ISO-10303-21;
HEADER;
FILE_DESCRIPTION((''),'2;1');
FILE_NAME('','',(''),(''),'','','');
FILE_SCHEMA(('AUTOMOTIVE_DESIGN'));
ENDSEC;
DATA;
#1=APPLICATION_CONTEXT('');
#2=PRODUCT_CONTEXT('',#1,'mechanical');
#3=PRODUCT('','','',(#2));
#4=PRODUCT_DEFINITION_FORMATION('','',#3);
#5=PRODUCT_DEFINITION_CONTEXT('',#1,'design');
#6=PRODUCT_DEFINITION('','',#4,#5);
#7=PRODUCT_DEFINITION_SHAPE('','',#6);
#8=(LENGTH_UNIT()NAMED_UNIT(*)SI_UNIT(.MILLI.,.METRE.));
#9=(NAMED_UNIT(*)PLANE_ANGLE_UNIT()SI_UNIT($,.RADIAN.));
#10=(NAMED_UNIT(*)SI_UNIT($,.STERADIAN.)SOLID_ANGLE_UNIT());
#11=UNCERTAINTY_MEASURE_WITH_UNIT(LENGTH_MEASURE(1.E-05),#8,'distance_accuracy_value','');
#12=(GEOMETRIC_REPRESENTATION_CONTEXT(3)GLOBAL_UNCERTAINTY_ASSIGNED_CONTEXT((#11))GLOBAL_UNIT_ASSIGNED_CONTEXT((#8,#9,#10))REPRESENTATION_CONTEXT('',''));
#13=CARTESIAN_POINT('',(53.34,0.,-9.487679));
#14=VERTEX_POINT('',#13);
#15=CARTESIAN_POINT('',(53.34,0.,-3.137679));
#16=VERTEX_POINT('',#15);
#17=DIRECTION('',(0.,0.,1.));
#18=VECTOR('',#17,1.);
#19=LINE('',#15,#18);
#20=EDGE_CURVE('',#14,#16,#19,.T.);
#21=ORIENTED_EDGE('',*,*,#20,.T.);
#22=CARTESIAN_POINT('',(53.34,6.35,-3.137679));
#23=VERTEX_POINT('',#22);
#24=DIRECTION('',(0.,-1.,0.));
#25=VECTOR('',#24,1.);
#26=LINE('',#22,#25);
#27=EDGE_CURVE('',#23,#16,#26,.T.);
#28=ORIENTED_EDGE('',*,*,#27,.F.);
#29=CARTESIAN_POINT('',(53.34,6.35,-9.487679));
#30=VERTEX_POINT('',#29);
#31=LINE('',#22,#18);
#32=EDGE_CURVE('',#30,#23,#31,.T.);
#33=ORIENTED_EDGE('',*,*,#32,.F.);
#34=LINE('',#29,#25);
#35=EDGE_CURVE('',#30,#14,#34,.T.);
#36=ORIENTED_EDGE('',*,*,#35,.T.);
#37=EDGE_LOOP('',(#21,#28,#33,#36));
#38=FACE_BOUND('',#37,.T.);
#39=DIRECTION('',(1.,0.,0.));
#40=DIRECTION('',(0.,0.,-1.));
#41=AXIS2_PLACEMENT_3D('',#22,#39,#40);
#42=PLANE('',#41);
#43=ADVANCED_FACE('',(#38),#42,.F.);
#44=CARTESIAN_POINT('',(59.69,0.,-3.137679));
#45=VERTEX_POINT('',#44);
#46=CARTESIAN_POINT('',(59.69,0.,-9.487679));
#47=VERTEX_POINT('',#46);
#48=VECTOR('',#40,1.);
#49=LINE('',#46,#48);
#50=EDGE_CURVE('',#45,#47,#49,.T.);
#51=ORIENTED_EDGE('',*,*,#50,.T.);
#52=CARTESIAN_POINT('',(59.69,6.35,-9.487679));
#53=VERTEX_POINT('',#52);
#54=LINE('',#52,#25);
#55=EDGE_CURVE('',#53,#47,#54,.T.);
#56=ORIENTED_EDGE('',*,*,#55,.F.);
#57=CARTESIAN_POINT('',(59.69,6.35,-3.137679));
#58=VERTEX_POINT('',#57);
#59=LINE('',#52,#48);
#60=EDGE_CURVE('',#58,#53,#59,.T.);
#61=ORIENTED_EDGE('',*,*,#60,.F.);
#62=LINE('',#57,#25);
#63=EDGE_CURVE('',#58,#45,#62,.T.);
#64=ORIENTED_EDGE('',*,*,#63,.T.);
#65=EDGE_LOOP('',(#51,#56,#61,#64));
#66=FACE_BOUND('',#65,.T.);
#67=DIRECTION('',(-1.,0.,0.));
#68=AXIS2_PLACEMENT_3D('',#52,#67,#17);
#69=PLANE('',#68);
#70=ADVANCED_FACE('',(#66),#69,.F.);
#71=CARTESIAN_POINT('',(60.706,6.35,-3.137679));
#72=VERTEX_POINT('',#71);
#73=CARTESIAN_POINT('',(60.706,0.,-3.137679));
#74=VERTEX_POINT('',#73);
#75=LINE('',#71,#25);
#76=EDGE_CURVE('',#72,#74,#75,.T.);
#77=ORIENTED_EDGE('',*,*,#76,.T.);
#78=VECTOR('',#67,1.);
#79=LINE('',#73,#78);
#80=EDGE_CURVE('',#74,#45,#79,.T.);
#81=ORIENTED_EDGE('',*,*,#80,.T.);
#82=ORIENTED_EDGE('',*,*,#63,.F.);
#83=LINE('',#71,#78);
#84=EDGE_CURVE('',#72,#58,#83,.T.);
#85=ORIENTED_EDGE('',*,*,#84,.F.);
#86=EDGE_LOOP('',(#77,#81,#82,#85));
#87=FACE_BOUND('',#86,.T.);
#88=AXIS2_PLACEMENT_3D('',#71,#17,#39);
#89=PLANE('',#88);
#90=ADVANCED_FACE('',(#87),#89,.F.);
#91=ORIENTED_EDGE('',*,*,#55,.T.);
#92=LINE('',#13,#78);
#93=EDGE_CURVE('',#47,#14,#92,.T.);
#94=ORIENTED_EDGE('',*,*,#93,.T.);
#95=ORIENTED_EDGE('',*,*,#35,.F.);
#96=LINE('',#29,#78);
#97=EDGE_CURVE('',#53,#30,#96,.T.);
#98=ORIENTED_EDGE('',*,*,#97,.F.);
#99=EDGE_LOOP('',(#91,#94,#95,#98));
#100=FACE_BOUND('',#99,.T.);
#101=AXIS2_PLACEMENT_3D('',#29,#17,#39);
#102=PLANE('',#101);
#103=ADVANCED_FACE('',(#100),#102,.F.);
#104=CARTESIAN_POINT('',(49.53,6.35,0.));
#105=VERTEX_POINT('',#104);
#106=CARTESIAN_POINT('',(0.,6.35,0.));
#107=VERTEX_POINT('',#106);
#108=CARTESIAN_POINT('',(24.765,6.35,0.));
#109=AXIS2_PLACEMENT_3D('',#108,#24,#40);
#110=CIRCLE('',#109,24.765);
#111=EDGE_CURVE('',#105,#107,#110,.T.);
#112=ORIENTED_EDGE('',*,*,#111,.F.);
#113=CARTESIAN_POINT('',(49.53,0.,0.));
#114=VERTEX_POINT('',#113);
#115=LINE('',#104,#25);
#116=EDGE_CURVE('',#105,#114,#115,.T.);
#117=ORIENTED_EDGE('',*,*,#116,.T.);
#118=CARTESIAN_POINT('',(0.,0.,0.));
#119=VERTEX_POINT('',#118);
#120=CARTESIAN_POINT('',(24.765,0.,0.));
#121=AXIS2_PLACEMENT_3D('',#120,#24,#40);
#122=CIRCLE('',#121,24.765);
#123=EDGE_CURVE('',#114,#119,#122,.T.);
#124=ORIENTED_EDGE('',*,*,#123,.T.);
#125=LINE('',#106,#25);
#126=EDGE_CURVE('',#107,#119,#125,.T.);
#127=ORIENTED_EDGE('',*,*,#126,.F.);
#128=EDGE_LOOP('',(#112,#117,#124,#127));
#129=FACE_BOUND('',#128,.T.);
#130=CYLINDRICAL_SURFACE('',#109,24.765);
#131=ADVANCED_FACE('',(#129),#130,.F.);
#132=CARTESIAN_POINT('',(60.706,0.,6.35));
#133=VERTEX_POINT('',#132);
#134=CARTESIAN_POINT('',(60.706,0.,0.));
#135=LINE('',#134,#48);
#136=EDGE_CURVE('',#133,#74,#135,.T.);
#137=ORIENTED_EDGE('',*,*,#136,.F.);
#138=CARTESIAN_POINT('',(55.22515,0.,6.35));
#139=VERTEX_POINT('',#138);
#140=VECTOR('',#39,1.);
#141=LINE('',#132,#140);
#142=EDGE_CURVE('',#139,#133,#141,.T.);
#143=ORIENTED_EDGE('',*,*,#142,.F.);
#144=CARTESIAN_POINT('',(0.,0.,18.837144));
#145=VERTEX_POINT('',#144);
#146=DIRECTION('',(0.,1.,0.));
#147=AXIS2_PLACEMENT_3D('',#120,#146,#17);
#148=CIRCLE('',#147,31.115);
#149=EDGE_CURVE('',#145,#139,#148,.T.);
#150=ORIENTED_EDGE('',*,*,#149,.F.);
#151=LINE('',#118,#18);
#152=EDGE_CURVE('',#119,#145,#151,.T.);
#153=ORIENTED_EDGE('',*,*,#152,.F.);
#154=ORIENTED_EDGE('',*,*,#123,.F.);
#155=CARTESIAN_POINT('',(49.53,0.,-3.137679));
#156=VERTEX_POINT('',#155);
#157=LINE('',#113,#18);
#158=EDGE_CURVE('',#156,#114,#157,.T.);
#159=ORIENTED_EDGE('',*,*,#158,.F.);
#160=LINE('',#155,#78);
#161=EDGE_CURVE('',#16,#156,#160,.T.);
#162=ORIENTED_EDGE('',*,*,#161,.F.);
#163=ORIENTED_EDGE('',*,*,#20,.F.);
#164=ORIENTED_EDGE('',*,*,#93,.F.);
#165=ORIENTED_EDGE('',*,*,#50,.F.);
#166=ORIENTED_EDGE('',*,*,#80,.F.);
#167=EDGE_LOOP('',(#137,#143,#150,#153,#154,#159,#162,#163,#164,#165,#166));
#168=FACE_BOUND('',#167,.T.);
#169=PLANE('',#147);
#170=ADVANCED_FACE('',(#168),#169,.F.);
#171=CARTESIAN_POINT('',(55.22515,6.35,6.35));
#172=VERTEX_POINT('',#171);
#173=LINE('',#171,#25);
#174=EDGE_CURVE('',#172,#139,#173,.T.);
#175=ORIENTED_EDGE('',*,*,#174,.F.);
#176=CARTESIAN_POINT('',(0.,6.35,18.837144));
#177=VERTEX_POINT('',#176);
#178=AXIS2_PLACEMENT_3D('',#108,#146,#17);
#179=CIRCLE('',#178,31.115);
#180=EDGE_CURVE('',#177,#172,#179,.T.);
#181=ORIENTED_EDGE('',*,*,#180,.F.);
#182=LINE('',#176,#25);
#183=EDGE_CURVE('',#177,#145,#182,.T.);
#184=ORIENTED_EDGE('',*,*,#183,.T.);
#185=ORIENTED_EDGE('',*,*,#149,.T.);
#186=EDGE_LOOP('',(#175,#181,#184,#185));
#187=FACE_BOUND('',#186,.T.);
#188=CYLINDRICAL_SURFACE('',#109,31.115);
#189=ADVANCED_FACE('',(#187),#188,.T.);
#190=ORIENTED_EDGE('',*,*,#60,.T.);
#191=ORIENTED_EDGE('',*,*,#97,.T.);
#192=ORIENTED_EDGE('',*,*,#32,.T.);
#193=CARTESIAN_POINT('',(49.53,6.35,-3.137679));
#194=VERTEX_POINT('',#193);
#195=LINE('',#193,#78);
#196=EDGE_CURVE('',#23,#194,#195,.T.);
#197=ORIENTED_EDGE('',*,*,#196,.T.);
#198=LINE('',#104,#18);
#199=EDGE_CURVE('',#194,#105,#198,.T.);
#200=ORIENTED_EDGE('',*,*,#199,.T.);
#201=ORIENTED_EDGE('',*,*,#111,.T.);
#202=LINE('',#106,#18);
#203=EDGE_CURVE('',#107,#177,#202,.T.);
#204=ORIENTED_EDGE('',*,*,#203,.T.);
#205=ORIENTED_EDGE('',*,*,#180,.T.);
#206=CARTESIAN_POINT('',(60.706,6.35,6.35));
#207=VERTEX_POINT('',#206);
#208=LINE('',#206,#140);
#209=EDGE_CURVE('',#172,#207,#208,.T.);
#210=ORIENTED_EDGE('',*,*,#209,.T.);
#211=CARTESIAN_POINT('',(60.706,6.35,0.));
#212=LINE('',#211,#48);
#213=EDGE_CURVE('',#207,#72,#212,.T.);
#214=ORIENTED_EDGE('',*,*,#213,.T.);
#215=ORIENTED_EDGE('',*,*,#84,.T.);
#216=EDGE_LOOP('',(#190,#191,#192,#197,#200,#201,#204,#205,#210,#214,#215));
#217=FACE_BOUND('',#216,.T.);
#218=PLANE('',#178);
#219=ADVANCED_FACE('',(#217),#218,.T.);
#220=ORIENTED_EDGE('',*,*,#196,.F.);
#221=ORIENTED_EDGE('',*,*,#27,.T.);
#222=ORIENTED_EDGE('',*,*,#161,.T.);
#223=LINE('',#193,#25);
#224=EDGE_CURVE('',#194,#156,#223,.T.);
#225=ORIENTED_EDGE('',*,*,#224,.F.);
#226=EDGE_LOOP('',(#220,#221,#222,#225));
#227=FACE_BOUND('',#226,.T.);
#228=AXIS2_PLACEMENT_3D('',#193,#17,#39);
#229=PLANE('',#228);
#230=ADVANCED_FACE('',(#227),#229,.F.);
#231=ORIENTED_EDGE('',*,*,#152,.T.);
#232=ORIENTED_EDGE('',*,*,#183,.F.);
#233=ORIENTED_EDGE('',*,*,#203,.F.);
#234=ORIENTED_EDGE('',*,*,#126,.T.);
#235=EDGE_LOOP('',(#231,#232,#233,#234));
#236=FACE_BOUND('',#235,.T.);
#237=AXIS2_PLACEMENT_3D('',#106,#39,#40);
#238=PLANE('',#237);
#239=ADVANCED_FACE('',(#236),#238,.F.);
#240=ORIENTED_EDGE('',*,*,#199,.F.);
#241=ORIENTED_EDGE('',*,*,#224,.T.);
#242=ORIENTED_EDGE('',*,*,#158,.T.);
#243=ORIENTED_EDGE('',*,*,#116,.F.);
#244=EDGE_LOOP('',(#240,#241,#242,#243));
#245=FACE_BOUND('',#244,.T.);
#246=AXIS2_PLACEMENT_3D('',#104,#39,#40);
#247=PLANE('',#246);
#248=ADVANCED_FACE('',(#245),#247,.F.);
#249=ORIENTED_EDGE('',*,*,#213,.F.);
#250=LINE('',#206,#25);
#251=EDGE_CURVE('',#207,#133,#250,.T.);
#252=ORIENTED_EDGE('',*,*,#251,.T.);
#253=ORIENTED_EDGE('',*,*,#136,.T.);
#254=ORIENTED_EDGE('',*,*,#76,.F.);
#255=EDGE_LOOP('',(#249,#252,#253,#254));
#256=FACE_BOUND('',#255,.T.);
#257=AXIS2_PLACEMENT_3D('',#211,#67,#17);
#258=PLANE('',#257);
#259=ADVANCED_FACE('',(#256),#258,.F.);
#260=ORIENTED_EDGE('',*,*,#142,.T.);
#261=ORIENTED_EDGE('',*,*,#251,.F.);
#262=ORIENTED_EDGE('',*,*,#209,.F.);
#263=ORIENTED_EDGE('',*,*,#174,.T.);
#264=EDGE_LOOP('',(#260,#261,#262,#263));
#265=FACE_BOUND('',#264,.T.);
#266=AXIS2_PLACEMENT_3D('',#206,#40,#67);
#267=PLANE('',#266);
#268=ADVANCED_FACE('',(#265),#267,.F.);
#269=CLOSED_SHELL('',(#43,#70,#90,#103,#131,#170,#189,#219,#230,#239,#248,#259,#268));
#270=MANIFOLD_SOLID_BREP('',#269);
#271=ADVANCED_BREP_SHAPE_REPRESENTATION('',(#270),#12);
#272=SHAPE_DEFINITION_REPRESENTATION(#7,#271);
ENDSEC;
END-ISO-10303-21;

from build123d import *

# Parameters (mm, degrees)
BOSS_EXTRUDE1_DEPTH = 6.35


with BuildPart() as part:
    # Sketch1 → Boss-Extrude1 (new body)
    with BuildSketch(Plane(origin=(0, 0, 0), x_dir=(1, 0, 0), z_dir=(0, 1, 0))):
        with BuildLine():
            Line((53.34, 3.137679315), (53.34, 9.487679315))
            Line((53.34, 9.487679315), (59.69, 9.487679315))
            Line((59.69, 9.487679315), (59.69, 3.137679315))
            Line((59.69, 3.137679315), (60.706, 3.137679315))
            Line((60.706, 3.137679315), (60.706, 0))
            Line((60.706, 0), (60.706, -6.35))
            Line((60.706, -6.35), (55.225149786, -6.35))
            ThreePointArc((55.225149786, -6.35), (31.627279146, -30.348844293), (0, -18.837144157))
            Line((0, -18.837144157), (0, 0))
            ThreePointArc((0, 0), (24.765, -24.765), (49.53, 0))
            Line((49.53, 0), (49.53, 3.137679315))
            Line((49.53, 3.137679315), (53.34, 3.137679315))
        make_face()
    extrude(amount=BOSS_EXTRUDE1_DEPTH)


solid = part.part
